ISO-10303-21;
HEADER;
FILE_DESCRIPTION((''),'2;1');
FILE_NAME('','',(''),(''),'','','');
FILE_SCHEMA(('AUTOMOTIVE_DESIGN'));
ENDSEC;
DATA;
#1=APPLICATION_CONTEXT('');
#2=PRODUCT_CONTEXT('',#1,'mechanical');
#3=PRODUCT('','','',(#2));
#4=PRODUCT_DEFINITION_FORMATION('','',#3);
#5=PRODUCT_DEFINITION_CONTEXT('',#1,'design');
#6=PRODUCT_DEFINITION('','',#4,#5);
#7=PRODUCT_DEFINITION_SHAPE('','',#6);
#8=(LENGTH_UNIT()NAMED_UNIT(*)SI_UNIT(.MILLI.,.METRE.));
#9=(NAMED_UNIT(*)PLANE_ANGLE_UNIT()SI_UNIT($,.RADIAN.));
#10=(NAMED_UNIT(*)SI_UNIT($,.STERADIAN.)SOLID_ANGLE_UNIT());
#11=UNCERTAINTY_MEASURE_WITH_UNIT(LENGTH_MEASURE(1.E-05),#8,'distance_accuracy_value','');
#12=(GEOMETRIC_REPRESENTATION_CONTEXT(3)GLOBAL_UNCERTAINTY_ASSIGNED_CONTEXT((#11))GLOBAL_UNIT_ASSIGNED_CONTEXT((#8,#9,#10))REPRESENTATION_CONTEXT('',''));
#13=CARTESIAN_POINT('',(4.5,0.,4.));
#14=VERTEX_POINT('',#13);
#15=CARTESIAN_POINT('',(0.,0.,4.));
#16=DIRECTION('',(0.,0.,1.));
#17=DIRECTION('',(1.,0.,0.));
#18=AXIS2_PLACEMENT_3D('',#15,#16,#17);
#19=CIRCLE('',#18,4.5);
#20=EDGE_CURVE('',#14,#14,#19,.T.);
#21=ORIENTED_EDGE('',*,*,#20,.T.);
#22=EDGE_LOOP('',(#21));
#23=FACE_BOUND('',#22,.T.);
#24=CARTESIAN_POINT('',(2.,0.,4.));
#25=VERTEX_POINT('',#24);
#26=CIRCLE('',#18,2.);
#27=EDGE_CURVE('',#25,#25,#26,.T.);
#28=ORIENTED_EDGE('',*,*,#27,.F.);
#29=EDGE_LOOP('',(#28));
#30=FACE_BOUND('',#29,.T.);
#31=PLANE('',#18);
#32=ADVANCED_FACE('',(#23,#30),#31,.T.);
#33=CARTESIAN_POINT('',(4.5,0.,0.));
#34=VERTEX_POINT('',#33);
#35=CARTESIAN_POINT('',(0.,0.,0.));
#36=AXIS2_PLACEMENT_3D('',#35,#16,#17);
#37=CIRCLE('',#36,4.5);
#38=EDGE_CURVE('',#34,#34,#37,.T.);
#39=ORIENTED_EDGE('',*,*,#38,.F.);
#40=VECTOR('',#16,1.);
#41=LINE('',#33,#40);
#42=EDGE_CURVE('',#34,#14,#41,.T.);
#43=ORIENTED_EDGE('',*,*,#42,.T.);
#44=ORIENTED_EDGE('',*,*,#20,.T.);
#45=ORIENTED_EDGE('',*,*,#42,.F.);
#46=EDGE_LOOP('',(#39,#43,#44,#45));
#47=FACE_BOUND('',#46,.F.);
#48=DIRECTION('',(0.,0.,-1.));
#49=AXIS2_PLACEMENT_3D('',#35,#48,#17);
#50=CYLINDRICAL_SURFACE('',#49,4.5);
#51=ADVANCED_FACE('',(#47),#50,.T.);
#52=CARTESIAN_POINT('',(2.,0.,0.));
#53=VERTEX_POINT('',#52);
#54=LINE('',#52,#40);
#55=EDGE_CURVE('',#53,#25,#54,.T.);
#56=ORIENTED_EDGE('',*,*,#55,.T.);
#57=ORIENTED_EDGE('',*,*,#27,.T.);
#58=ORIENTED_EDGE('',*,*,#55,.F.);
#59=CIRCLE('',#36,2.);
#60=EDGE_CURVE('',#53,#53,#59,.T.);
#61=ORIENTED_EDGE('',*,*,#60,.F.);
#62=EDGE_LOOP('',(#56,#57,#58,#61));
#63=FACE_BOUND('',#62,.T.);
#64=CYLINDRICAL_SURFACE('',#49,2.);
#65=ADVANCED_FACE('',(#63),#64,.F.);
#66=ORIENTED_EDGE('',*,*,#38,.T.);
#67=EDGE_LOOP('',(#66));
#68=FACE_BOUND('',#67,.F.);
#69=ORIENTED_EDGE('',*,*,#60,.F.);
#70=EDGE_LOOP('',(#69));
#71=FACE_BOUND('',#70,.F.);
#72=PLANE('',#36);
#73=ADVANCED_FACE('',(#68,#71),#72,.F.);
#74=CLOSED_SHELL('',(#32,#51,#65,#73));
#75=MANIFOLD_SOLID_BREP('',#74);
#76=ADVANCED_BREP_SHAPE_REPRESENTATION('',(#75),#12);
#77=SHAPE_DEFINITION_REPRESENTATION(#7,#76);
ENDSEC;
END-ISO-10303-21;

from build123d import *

# Parameters (mm, degrees)
SKETCH_1_R      = 4.5
SKETCH_1_R_2    = 2
EXTRUDE_1_DEPTH = 4


with BuildPart() as part:
    # 草图1 → 凸台-拉伸1 (new body)
    with BuildSketch(Plane.XY):
        Circle(SKETCH_1_R)
        Circle(SKETCH_1_R_2, mode=Mode.SUBTRACT)
    extrude(amount=EXTRUDE_1_DEPTH)


solid = part.part
